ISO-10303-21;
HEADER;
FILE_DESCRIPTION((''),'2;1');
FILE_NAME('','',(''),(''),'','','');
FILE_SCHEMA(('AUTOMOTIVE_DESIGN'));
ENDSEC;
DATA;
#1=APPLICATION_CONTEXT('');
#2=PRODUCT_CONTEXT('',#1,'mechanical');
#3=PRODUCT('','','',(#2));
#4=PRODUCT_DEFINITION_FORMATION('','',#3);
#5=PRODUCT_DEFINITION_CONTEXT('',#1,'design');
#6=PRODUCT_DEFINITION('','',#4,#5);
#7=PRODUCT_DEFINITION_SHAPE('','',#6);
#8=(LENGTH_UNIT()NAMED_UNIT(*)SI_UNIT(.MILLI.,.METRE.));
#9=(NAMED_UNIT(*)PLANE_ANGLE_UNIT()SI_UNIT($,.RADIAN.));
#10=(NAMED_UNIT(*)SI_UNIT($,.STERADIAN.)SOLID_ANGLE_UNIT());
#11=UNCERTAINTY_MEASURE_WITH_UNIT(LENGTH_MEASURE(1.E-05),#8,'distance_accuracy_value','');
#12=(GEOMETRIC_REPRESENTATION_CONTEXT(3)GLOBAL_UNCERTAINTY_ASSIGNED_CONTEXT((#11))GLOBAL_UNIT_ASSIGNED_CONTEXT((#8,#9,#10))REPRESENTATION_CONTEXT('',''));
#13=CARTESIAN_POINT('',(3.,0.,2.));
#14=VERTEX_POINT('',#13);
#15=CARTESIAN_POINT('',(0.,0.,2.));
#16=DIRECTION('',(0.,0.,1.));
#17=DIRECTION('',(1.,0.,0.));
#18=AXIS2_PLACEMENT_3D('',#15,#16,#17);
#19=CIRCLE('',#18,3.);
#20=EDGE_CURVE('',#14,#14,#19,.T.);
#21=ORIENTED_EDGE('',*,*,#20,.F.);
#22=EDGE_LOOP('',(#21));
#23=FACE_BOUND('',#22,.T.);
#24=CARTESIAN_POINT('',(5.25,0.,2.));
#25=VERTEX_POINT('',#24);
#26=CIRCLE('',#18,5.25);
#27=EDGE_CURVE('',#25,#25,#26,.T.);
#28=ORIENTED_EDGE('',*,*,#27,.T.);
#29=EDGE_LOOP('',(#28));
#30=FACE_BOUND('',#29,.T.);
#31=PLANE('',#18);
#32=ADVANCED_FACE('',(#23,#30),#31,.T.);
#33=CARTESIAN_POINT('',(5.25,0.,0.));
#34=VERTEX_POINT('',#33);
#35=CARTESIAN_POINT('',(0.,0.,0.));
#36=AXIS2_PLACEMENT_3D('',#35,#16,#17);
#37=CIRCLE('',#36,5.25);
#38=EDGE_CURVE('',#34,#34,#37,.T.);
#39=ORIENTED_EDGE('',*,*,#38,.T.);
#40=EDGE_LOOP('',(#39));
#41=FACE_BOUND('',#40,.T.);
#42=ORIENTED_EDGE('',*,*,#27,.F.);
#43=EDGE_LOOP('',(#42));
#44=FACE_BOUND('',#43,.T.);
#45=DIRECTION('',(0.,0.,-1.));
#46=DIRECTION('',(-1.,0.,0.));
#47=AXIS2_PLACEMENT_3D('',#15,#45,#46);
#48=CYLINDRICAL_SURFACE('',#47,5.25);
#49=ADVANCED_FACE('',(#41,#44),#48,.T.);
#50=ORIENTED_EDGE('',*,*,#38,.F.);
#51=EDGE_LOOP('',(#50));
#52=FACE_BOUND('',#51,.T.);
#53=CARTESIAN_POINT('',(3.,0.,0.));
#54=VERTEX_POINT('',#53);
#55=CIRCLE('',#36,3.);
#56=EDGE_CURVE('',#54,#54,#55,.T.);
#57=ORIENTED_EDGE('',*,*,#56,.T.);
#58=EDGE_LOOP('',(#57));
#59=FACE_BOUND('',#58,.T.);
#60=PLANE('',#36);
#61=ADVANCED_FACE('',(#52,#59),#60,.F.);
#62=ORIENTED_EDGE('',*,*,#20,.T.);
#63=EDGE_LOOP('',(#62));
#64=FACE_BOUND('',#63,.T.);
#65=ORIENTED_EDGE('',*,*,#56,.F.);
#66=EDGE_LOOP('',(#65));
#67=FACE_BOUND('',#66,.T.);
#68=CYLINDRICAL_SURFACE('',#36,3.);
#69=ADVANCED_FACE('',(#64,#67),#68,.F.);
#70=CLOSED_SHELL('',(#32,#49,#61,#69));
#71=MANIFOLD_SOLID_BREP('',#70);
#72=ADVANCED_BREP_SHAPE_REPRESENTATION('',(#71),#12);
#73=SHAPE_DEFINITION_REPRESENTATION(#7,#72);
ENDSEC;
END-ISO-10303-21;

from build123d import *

# Parameters (mm, degrees)
SKETCH1_R           = 5.25
BOSS_EXTRUDE1_DEPTH = 2
SKETCH2_R           = 3
CUT_EXTRUDE1_DEPTH  = 2


with BuildPart() as part:
    # Sketch1 → Boss-Extrude1 (new body)
    with BuildSketch(Plane.XY):
        Circle(SKETCH1_R)
    extrude(amount=BOSS_EXTRUDE1_DEPTH)

    # Sketch2 → Cut-Extrude1 (cut)
    with BuildSketch(Plane.XY.offset(2)):
        Circle(SKETCH2_R)
    extrude(amount=-CUT_EXTRUDE1_DEPTH, mode=Mode.SUBTRACT)


solid = part.part
